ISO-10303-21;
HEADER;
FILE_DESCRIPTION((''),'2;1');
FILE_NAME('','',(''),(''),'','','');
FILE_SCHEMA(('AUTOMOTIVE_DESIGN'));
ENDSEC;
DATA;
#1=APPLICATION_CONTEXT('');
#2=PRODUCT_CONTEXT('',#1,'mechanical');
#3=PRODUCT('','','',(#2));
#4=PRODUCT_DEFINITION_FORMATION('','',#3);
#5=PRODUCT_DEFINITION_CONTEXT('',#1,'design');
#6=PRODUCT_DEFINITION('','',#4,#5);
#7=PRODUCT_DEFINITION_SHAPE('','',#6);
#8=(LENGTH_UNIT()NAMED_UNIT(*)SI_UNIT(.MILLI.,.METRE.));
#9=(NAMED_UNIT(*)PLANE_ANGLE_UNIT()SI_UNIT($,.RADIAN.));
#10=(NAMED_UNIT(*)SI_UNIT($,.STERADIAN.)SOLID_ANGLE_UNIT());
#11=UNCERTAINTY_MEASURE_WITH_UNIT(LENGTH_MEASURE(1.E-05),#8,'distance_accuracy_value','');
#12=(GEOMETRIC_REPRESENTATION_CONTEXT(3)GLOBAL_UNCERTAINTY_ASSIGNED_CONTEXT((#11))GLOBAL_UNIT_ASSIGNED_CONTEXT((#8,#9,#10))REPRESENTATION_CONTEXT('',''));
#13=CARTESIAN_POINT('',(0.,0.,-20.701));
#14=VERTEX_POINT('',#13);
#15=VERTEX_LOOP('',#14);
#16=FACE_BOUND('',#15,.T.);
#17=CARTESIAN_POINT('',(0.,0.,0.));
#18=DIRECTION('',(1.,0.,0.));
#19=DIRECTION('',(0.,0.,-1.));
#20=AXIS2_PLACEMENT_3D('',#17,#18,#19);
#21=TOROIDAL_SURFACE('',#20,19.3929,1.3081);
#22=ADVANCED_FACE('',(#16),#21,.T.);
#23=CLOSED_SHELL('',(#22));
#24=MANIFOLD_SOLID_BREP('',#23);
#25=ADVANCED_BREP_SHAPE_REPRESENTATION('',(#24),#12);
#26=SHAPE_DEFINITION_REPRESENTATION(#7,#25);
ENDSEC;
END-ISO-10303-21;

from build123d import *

# Parameters (mm, degrees)
SKETCH1_R = 1.3081


with BuildPart() as part:
    # Sketch1 → Revolve1 (revolve)
    with BuildSketch(Plane.XY, mode=Mode.PRIVATE) as revolve1_sk:
        with Locations((0, 19.3929)):
            Circle(SKETCH1_R)
    revolve(revolve1_sk.sketch.rotate(Axis((0, 0, 0), (-1, 0, 0)), 90), axis=Axis((0, 0, 0), (-1, 0, 0)))


solid = part.part
